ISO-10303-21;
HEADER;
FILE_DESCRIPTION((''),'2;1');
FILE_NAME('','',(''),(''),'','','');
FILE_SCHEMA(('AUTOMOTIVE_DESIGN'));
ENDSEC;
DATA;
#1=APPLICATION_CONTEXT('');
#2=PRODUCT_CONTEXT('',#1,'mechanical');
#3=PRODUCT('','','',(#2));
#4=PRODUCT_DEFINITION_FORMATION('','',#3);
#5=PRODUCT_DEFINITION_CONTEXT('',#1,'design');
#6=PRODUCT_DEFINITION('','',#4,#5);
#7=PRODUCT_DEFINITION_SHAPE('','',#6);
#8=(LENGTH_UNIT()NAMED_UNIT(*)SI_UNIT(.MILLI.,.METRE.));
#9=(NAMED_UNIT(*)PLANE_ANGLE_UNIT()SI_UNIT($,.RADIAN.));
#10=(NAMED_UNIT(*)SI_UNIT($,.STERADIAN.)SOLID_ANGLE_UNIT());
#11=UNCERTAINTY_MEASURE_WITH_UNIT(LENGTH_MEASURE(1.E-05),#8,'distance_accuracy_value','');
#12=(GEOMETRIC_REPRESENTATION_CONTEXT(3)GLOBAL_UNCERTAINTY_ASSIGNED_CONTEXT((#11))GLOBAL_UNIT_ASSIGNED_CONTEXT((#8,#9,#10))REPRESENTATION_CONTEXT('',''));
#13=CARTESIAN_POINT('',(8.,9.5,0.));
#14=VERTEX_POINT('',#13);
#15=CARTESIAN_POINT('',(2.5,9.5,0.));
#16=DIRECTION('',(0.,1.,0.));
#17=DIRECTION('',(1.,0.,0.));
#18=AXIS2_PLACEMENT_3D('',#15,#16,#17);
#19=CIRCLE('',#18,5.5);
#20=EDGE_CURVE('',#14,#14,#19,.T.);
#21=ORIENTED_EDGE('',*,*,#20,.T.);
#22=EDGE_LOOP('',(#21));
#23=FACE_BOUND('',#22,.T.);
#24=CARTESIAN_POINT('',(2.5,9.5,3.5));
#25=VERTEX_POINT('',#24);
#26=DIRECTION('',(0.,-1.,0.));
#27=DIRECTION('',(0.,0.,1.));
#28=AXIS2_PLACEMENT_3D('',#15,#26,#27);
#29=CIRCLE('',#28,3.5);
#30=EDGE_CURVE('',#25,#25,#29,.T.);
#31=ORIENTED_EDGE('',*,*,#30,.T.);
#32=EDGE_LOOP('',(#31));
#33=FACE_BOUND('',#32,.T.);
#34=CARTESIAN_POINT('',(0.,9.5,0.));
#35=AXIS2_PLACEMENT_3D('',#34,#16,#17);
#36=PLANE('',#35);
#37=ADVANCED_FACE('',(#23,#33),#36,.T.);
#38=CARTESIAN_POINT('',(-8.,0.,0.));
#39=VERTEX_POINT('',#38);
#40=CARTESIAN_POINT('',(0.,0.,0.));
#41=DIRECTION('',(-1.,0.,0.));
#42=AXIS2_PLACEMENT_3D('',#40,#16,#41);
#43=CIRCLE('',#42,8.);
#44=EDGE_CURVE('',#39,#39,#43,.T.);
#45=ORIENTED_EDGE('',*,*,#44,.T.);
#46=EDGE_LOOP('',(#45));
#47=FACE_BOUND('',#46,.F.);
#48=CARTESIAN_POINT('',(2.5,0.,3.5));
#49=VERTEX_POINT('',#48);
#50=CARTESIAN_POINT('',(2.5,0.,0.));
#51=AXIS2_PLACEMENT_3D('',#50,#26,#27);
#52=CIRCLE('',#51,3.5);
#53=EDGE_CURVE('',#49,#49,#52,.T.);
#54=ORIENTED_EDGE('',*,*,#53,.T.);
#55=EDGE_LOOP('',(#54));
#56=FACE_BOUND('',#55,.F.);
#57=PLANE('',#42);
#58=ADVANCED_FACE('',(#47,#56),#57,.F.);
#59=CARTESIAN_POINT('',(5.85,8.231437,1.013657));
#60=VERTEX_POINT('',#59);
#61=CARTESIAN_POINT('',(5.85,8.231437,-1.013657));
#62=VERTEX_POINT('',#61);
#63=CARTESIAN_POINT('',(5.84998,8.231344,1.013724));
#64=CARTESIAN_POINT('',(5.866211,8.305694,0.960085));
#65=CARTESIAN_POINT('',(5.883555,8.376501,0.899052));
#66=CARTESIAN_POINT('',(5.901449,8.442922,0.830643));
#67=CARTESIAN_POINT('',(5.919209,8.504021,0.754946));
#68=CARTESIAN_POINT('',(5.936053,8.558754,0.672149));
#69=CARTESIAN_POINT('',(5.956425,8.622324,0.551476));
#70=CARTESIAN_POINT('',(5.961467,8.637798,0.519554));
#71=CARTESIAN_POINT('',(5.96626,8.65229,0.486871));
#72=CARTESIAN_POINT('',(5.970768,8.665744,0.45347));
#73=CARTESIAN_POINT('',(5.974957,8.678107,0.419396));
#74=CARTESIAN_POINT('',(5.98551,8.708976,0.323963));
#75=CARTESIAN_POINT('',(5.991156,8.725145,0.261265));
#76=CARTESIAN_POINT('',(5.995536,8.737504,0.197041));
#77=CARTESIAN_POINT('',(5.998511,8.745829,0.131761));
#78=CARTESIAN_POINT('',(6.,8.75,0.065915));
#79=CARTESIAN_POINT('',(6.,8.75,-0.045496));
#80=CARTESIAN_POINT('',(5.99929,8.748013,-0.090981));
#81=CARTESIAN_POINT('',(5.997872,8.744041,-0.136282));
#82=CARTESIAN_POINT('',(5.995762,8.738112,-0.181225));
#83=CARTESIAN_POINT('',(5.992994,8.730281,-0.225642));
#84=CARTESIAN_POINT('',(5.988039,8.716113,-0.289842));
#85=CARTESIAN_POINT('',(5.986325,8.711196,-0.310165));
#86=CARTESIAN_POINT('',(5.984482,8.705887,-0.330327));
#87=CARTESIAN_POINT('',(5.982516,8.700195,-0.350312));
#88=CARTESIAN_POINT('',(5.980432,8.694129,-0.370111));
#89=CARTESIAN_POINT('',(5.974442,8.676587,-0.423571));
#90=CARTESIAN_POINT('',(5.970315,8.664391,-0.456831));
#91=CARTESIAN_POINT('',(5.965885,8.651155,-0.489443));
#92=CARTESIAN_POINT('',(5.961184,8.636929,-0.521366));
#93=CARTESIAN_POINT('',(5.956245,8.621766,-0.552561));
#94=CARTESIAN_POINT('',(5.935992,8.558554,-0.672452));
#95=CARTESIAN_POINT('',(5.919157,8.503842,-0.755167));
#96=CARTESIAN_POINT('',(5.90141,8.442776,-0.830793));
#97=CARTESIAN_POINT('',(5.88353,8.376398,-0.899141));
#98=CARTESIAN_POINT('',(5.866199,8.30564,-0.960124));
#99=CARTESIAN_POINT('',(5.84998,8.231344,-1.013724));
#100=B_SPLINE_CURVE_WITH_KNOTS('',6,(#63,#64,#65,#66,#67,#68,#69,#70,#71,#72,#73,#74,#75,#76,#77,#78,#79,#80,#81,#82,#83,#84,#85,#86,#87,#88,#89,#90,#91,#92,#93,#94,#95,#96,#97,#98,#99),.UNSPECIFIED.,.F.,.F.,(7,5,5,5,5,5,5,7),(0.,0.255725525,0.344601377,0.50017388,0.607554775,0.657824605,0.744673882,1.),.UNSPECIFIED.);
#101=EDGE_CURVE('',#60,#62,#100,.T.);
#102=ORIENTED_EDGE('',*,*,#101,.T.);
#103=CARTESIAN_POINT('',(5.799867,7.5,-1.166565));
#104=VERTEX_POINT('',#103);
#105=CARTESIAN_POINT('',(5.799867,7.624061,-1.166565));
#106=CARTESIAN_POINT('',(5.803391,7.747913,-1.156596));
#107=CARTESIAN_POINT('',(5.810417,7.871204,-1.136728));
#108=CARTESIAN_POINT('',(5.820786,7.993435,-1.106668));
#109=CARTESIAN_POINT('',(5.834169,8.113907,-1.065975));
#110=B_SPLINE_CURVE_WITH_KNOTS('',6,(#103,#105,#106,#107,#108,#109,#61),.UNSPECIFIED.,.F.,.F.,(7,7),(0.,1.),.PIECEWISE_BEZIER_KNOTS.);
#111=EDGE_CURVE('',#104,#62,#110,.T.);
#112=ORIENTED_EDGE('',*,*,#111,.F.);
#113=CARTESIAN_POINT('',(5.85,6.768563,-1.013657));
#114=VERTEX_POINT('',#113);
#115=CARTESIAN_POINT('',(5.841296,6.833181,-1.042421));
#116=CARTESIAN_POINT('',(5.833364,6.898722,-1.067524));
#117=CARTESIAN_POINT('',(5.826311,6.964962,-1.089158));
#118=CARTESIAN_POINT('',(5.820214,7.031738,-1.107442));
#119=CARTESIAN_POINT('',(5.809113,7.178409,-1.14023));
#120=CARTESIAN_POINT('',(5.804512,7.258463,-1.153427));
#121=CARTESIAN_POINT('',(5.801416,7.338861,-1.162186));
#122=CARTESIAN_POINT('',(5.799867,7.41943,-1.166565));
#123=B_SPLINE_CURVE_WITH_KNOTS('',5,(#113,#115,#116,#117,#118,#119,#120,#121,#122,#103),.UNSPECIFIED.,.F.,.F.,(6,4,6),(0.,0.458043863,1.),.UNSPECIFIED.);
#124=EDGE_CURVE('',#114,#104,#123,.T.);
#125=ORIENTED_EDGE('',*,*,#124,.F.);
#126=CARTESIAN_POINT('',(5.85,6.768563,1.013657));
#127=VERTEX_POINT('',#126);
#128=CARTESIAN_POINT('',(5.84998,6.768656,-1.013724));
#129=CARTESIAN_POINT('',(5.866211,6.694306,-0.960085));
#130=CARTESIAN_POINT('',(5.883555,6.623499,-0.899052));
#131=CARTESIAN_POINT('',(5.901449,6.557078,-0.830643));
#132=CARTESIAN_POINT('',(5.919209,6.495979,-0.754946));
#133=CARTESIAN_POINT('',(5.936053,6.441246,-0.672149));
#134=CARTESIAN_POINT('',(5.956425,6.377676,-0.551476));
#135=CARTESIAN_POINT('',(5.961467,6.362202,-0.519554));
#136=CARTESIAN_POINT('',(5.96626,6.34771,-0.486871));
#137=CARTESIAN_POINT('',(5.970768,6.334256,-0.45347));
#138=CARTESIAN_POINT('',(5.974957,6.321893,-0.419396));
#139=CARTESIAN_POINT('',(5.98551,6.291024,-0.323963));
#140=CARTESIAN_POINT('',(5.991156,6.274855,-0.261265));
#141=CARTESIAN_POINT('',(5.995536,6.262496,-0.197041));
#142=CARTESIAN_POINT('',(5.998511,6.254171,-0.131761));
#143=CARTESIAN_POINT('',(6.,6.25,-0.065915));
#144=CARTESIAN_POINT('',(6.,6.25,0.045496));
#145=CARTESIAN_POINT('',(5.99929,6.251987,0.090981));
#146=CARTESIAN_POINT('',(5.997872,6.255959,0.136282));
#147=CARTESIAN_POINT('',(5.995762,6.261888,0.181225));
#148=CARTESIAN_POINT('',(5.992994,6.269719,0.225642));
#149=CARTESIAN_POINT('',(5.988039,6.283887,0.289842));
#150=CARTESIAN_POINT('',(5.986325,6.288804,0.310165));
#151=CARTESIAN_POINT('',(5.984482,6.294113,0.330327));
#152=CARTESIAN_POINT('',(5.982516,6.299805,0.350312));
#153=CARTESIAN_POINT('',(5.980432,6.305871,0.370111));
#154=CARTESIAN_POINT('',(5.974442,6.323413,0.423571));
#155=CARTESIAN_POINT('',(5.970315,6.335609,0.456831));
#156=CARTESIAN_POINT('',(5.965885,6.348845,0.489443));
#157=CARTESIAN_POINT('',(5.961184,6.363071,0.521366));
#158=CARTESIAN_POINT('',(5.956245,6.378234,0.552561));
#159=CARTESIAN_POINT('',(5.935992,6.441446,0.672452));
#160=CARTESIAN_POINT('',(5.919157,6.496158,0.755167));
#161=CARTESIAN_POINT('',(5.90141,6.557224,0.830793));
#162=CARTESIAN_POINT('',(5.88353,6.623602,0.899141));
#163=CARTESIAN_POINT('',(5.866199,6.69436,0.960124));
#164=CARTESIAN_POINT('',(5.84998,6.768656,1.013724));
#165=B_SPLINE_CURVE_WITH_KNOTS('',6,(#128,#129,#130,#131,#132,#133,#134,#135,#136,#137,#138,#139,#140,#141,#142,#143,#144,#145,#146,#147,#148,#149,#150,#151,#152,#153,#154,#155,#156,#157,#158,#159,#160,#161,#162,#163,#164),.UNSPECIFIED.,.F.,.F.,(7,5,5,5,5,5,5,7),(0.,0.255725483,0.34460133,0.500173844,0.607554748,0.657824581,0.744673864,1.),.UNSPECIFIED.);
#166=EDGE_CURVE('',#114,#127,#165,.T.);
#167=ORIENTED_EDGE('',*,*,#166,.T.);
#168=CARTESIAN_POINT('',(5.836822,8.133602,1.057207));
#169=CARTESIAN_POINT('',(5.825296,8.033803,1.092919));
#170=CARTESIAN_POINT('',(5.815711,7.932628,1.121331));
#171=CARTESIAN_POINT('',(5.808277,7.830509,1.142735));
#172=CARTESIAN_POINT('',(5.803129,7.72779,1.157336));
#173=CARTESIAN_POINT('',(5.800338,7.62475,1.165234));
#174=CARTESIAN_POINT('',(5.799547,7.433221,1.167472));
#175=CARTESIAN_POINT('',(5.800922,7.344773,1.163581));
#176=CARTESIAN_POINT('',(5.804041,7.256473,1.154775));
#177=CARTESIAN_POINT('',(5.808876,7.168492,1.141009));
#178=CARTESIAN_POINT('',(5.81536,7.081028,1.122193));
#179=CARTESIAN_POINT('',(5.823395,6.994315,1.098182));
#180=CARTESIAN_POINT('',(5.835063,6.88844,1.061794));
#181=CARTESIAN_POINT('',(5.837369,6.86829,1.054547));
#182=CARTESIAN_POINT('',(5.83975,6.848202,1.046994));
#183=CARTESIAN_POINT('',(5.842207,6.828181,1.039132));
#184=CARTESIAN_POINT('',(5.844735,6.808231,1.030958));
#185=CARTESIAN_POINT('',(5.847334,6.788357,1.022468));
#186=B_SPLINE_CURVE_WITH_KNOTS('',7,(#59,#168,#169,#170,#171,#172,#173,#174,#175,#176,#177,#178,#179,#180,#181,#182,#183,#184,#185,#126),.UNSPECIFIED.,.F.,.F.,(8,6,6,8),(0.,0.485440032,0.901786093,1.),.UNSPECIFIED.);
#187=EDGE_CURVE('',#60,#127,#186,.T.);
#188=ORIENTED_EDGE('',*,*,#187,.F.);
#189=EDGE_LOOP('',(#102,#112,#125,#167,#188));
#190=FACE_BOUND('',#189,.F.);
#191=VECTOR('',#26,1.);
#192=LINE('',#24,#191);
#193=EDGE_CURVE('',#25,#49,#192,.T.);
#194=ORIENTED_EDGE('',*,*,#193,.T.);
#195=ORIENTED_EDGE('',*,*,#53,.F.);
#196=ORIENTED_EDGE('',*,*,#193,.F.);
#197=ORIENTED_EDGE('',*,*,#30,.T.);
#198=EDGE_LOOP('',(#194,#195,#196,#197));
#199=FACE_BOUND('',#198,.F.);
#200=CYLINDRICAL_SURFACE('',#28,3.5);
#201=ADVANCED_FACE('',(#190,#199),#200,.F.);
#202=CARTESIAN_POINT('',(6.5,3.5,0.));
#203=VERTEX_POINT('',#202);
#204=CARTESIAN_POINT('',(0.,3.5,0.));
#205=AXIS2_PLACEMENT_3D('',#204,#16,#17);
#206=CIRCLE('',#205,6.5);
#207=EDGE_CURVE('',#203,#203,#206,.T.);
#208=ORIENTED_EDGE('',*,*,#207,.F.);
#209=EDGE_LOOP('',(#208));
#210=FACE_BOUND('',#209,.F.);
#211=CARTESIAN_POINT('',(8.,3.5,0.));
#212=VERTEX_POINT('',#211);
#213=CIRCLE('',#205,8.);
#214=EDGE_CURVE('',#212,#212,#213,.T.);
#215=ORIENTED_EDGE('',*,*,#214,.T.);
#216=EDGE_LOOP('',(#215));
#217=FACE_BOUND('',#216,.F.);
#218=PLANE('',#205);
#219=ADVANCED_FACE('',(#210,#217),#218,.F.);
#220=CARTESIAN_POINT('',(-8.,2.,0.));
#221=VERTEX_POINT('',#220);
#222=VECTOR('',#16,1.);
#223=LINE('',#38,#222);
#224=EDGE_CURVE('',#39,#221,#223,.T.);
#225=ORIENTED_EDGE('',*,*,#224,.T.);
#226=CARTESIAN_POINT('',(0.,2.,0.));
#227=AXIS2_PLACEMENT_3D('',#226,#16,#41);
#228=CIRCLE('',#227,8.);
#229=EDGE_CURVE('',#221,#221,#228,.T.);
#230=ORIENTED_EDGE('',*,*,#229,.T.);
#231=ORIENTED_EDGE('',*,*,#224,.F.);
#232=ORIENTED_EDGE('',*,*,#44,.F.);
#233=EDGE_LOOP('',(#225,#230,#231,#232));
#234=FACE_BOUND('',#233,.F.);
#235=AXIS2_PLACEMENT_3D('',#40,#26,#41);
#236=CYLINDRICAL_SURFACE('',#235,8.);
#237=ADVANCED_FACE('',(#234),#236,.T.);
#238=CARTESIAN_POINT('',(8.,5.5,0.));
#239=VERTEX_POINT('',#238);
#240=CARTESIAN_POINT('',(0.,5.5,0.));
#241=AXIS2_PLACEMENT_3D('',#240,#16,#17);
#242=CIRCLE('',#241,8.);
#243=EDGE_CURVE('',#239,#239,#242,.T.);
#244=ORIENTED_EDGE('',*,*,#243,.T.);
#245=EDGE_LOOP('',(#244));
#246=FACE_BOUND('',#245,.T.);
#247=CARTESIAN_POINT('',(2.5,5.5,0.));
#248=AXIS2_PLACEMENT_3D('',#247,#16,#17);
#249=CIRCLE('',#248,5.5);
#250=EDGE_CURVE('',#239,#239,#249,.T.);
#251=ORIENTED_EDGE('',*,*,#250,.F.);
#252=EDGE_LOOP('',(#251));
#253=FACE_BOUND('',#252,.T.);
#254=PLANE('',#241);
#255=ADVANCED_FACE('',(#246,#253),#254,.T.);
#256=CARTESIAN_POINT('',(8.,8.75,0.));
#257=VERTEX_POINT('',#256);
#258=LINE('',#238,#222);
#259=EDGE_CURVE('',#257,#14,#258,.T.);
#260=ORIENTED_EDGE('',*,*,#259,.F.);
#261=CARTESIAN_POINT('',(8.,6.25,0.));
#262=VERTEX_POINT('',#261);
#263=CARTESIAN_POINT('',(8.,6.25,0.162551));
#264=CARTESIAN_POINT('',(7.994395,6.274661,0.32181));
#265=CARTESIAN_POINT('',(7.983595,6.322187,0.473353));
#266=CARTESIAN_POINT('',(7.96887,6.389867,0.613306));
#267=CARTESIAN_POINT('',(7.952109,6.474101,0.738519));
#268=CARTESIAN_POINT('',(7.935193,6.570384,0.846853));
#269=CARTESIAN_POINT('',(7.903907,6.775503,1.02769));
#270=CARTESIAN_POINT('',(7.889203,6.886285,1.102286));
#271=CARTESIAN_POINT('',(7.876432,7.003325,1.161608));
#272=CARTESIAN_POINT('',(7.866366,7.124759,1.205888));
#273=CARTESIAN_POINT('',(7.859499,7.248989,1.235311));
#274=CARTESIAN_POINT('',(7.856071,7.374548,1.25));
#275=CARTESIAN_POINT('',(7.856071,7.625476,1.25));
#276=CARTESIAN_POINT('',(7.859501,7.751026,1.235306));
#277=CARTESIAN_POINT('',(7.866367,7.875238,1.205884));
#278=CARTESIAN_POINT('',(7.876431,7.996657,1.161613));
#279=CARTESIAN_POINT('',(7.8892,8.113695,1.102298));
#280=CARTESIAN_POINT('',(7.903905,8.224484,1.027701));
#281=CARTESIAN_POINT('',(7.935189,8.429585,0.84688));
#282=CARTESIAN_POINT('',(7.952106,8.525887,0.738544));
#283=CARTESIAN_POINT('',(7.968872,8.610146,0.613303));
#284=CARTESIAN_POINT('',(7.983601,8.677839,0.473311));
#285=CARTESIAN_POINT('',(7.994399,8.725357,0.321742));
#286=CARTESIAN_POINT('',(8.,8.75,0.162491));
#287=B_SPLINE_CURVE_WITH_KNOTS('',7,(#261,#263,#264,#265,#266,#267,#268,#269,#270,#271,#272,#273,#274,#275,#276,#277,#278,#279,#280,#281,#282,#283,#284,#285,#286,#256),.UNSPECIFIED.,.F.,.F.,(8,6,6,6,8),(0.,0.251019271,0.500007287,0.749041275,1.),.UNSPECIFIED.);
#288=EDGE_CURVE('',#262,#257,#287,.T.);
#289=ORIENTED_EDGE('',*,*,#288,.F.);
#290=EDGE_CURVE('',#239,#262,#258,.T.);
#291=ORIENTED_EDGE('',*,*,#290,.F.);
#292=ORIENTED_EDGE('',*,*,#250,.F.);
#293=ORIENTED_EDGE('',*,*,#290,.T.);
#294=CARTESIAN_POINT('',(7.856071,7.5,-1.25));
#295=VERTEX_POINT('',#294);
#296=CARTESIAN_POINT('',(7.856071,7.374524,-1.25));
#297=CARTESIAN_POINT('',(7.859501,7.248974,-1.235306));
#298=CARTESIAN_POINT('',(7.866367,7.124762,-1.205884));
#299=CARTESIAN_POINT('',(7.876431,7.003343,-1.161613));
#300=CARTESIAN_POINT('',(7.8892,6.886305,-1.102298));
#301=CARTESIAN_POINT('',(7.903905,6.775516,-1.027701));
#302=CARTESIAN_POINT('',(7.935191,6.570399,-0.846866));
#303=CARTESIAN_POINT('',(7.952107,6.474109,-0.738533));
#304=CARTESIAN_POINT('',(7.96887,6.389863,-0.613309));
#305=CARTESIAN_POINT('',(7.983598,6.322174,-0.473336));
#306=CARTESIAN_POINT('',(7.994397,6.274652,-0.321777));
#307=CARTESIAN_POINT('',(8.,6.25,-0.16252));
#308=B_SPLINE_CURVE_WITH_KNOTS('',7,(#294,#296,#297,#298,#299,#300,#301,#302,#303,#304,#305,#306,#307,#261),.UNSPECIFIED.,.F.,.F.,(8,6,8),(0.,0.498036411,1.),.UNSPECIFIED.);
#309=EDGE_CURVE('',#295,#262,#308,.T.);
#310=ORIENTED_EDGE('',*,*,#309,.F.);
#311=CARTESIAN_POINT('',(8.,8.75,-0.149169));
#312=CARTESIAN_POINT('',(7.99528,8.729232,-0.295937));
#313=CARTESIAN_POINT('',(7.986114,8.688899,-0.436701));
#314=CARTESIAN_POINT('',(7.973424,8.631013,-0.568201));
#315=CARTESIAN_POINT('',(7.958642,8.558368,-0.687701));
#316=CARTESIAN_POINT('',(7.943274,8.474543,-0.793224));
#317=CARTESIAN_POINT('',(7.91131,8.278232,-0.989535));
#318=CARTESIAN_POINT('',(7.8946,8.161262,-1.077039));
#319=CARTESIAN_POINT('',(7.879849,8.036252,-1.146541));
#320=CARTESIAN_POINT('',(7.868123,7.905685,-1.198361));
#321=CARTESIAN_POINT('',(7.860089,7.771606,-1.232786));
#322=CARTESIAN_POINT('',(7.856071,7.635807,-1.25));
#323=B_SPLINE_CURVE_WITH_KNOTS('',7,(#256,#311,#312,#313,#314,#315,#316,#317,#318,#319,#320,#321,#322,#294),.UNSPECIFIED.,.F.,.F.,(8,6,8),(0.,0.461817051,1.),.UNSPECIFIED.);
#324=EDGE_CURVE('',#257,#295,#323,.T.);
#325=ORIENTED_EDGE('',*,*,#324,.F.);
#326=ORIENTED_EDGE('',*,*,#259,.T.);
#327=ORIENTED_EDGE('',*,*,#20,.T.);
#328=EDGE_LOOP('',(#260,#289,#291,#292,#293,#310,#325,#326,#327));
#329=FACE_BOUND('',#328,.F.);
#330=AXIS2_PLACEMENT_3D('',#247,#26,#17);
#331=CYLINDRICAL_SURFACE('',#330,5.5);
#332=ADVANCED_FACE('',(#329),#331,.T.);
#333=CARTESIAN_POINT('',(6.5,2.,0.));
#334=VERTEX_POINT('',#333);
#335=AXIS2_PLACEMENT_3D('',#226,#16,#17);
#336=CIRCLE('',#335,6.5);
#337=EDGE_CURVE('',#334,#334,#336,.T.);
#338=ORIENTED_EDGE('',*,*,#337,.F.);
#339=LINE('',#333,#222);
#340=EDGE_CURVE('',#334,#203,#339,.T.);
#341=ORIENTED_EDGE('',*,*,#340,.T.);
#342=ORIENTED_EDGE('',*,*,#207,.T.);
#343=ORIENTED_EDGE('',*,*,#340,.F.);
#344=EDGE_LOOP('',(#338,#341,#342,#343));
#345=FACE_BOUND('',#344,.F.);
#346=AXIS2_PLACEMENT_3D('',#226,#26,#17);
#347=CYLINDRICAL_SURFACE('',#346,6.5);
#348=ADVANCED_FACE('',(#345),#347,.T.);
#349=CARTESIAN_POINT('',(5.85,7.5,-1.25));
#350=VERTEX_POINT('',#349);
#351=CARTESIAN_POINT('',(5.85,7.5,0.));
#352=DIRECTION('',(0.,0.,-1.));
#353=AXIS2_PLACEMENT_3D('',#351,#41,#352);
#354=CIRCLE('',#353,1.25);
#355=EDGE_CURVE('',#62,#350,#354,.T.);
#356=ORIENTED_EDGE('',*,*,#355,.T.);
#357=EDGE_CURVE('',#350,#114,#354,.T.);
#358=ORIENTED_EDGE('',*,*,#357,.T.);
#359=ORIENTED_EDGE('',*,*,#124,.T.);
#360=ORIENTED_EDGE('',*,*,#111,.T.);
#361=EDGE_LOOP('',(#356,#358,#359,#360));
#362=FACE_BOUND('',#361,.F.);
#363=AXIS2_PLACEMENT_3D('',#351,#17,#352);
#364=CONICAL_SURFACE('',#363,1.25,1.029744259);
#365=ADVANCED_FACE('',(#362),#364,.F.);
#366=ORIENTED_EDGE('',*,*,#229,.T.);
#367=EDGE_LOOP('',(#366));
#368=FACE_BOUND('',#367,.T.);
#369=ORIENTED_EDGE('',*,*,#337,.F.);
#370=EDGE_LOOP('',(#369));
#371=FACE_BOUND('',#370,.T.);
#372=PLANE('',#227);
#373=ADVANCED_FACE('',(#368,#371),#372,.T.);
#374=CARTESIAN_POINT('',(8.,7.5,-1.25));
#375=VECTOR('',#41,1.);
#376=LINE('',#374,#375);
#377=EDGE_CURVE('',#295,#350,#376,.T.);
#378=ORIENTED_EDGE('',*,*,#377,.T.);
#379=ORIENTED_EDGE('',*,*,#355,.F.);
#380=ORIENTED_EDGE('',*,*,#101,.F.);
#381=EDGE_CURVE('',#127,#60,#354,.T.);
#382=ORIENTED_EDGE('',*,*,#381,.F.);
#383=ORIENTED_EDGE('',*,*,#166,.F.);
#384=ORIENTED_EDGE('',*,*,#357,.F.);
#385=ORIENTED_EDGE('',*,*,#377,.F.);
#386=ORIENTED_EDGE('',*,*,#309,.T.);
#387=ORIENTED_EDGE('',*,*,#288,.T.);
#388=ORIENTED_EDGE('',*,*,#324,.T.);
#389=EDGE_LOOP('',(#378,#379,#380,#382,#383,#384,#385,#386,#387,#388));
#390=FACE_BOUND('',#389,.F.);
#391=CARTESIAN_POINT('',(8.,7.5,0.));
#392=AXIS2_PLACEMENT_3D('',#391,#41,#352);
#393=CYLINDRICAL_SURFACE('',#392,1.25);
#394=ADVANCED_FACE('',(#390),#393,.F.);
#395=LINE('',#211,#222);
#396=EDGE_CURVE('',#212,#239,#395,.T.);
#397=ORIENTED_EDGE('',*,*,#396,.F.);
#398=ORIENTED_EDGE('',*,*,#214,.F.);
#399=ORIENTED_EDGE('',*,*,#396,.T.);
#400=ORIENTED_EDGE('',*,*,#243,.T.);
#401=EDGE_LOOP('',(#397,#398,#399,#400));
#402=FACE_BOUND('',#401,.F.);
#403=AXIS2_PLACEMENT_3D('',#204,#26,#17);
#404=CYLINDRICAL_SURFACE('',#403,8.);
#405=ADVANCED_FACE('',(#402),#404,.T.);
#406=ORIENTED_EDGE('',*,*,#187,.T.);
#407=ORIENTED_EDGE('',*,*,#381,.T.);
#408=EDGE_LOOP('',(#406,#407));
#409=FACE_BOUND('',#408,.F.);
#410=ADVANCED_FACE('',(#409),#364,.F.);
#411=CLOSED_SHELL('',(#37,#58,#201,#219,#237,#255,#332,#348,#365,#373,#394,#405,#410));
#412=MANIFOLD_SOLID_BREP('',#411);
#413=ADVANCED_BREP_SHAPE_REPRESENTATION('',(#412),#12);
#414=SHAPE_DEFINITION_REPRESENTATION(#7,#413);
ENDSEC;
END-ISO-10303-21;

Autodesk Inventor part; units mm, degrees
ref_plane "XZ Plane" through (0, 0, 0) normal (0, 1, 0) x (-1, 0, 0)
ref_plane "XY Plane" through (0, 0, 0) normal (0, 0, 1) x (1, 0, 0)
sketch "Sketch1" plane through (0, 0, 0) normal (0, 1, 0) x (-1, 0, 0)
  circle A0 centre (0, 0) radius 8
  dimension "d0" = 16
extrude "Extrusion1" add sketch "Sketch1" along normal blind 2
sketch "Sketch2" plane through (0, 2, 0) normal (0, 1, 0) x (1, 0, 0)
  circle A0 centre (0, 0) radius 6.5
  dimension "d3" = 13
extrude "Extrusion2" add sketch "Sketch2" along normal blind 1.5
sketch "Sketch3" plane through (0, 3.5, 0) normal (0, 1, 0) x (1, 0, 0)
  circle A0 centre (0, 0) radius 8
  dimension "d6" = 16
extrude "Extrusion3" add sketch "Sketch3" along normal blind 2
sketch "Sketch4" plane through (0, 5.5, 0) normal (0, 1, 0) x (1, 0, 0)
  circle A0 centre (2.5, 0) radius 5.5
  circle A1 centre (0, 0) radius 8 projected
  dimension "d9" = 11
extrude "Extrusion4" add sketch "Sketch4" along normal blind 4 contours A0
ref_plane "Work Plane1" through (8, 5.5, 0) normal (1, 0, 0) x (0, 1, 0)
sketch "Sketch5" plane through (8, 5.5, 0) normal (1, 0, 0) x (0, 1, 0)
  line L0 (4, -5.5) -> (4, 5.5) projected
  point P0 (-5.5, 0)
  point P1 (2, 0)
  dimension "d12" = 2
hole "Hole1" at (8, 7.5, 0) direction (-1, 0, 0) diameter 2.5 depth 2.15 tip angle 118
thread "Thread1" size "M2.5x0.45" class "6H" standard "ANSI Metric M Profile" length 5.5
sketch "Sketch6" plane through (2.5, 9.5, 0) normal (0, 1, 0) x (1, 0, 0)
  point P0 (-2.5, 0)
  point P1 (0, 0)
hole "Hole2" at (2.5, 9.5, 0) direction (0, -1, 0) diameter 7 end through all
properties material "Steel, Mild"
